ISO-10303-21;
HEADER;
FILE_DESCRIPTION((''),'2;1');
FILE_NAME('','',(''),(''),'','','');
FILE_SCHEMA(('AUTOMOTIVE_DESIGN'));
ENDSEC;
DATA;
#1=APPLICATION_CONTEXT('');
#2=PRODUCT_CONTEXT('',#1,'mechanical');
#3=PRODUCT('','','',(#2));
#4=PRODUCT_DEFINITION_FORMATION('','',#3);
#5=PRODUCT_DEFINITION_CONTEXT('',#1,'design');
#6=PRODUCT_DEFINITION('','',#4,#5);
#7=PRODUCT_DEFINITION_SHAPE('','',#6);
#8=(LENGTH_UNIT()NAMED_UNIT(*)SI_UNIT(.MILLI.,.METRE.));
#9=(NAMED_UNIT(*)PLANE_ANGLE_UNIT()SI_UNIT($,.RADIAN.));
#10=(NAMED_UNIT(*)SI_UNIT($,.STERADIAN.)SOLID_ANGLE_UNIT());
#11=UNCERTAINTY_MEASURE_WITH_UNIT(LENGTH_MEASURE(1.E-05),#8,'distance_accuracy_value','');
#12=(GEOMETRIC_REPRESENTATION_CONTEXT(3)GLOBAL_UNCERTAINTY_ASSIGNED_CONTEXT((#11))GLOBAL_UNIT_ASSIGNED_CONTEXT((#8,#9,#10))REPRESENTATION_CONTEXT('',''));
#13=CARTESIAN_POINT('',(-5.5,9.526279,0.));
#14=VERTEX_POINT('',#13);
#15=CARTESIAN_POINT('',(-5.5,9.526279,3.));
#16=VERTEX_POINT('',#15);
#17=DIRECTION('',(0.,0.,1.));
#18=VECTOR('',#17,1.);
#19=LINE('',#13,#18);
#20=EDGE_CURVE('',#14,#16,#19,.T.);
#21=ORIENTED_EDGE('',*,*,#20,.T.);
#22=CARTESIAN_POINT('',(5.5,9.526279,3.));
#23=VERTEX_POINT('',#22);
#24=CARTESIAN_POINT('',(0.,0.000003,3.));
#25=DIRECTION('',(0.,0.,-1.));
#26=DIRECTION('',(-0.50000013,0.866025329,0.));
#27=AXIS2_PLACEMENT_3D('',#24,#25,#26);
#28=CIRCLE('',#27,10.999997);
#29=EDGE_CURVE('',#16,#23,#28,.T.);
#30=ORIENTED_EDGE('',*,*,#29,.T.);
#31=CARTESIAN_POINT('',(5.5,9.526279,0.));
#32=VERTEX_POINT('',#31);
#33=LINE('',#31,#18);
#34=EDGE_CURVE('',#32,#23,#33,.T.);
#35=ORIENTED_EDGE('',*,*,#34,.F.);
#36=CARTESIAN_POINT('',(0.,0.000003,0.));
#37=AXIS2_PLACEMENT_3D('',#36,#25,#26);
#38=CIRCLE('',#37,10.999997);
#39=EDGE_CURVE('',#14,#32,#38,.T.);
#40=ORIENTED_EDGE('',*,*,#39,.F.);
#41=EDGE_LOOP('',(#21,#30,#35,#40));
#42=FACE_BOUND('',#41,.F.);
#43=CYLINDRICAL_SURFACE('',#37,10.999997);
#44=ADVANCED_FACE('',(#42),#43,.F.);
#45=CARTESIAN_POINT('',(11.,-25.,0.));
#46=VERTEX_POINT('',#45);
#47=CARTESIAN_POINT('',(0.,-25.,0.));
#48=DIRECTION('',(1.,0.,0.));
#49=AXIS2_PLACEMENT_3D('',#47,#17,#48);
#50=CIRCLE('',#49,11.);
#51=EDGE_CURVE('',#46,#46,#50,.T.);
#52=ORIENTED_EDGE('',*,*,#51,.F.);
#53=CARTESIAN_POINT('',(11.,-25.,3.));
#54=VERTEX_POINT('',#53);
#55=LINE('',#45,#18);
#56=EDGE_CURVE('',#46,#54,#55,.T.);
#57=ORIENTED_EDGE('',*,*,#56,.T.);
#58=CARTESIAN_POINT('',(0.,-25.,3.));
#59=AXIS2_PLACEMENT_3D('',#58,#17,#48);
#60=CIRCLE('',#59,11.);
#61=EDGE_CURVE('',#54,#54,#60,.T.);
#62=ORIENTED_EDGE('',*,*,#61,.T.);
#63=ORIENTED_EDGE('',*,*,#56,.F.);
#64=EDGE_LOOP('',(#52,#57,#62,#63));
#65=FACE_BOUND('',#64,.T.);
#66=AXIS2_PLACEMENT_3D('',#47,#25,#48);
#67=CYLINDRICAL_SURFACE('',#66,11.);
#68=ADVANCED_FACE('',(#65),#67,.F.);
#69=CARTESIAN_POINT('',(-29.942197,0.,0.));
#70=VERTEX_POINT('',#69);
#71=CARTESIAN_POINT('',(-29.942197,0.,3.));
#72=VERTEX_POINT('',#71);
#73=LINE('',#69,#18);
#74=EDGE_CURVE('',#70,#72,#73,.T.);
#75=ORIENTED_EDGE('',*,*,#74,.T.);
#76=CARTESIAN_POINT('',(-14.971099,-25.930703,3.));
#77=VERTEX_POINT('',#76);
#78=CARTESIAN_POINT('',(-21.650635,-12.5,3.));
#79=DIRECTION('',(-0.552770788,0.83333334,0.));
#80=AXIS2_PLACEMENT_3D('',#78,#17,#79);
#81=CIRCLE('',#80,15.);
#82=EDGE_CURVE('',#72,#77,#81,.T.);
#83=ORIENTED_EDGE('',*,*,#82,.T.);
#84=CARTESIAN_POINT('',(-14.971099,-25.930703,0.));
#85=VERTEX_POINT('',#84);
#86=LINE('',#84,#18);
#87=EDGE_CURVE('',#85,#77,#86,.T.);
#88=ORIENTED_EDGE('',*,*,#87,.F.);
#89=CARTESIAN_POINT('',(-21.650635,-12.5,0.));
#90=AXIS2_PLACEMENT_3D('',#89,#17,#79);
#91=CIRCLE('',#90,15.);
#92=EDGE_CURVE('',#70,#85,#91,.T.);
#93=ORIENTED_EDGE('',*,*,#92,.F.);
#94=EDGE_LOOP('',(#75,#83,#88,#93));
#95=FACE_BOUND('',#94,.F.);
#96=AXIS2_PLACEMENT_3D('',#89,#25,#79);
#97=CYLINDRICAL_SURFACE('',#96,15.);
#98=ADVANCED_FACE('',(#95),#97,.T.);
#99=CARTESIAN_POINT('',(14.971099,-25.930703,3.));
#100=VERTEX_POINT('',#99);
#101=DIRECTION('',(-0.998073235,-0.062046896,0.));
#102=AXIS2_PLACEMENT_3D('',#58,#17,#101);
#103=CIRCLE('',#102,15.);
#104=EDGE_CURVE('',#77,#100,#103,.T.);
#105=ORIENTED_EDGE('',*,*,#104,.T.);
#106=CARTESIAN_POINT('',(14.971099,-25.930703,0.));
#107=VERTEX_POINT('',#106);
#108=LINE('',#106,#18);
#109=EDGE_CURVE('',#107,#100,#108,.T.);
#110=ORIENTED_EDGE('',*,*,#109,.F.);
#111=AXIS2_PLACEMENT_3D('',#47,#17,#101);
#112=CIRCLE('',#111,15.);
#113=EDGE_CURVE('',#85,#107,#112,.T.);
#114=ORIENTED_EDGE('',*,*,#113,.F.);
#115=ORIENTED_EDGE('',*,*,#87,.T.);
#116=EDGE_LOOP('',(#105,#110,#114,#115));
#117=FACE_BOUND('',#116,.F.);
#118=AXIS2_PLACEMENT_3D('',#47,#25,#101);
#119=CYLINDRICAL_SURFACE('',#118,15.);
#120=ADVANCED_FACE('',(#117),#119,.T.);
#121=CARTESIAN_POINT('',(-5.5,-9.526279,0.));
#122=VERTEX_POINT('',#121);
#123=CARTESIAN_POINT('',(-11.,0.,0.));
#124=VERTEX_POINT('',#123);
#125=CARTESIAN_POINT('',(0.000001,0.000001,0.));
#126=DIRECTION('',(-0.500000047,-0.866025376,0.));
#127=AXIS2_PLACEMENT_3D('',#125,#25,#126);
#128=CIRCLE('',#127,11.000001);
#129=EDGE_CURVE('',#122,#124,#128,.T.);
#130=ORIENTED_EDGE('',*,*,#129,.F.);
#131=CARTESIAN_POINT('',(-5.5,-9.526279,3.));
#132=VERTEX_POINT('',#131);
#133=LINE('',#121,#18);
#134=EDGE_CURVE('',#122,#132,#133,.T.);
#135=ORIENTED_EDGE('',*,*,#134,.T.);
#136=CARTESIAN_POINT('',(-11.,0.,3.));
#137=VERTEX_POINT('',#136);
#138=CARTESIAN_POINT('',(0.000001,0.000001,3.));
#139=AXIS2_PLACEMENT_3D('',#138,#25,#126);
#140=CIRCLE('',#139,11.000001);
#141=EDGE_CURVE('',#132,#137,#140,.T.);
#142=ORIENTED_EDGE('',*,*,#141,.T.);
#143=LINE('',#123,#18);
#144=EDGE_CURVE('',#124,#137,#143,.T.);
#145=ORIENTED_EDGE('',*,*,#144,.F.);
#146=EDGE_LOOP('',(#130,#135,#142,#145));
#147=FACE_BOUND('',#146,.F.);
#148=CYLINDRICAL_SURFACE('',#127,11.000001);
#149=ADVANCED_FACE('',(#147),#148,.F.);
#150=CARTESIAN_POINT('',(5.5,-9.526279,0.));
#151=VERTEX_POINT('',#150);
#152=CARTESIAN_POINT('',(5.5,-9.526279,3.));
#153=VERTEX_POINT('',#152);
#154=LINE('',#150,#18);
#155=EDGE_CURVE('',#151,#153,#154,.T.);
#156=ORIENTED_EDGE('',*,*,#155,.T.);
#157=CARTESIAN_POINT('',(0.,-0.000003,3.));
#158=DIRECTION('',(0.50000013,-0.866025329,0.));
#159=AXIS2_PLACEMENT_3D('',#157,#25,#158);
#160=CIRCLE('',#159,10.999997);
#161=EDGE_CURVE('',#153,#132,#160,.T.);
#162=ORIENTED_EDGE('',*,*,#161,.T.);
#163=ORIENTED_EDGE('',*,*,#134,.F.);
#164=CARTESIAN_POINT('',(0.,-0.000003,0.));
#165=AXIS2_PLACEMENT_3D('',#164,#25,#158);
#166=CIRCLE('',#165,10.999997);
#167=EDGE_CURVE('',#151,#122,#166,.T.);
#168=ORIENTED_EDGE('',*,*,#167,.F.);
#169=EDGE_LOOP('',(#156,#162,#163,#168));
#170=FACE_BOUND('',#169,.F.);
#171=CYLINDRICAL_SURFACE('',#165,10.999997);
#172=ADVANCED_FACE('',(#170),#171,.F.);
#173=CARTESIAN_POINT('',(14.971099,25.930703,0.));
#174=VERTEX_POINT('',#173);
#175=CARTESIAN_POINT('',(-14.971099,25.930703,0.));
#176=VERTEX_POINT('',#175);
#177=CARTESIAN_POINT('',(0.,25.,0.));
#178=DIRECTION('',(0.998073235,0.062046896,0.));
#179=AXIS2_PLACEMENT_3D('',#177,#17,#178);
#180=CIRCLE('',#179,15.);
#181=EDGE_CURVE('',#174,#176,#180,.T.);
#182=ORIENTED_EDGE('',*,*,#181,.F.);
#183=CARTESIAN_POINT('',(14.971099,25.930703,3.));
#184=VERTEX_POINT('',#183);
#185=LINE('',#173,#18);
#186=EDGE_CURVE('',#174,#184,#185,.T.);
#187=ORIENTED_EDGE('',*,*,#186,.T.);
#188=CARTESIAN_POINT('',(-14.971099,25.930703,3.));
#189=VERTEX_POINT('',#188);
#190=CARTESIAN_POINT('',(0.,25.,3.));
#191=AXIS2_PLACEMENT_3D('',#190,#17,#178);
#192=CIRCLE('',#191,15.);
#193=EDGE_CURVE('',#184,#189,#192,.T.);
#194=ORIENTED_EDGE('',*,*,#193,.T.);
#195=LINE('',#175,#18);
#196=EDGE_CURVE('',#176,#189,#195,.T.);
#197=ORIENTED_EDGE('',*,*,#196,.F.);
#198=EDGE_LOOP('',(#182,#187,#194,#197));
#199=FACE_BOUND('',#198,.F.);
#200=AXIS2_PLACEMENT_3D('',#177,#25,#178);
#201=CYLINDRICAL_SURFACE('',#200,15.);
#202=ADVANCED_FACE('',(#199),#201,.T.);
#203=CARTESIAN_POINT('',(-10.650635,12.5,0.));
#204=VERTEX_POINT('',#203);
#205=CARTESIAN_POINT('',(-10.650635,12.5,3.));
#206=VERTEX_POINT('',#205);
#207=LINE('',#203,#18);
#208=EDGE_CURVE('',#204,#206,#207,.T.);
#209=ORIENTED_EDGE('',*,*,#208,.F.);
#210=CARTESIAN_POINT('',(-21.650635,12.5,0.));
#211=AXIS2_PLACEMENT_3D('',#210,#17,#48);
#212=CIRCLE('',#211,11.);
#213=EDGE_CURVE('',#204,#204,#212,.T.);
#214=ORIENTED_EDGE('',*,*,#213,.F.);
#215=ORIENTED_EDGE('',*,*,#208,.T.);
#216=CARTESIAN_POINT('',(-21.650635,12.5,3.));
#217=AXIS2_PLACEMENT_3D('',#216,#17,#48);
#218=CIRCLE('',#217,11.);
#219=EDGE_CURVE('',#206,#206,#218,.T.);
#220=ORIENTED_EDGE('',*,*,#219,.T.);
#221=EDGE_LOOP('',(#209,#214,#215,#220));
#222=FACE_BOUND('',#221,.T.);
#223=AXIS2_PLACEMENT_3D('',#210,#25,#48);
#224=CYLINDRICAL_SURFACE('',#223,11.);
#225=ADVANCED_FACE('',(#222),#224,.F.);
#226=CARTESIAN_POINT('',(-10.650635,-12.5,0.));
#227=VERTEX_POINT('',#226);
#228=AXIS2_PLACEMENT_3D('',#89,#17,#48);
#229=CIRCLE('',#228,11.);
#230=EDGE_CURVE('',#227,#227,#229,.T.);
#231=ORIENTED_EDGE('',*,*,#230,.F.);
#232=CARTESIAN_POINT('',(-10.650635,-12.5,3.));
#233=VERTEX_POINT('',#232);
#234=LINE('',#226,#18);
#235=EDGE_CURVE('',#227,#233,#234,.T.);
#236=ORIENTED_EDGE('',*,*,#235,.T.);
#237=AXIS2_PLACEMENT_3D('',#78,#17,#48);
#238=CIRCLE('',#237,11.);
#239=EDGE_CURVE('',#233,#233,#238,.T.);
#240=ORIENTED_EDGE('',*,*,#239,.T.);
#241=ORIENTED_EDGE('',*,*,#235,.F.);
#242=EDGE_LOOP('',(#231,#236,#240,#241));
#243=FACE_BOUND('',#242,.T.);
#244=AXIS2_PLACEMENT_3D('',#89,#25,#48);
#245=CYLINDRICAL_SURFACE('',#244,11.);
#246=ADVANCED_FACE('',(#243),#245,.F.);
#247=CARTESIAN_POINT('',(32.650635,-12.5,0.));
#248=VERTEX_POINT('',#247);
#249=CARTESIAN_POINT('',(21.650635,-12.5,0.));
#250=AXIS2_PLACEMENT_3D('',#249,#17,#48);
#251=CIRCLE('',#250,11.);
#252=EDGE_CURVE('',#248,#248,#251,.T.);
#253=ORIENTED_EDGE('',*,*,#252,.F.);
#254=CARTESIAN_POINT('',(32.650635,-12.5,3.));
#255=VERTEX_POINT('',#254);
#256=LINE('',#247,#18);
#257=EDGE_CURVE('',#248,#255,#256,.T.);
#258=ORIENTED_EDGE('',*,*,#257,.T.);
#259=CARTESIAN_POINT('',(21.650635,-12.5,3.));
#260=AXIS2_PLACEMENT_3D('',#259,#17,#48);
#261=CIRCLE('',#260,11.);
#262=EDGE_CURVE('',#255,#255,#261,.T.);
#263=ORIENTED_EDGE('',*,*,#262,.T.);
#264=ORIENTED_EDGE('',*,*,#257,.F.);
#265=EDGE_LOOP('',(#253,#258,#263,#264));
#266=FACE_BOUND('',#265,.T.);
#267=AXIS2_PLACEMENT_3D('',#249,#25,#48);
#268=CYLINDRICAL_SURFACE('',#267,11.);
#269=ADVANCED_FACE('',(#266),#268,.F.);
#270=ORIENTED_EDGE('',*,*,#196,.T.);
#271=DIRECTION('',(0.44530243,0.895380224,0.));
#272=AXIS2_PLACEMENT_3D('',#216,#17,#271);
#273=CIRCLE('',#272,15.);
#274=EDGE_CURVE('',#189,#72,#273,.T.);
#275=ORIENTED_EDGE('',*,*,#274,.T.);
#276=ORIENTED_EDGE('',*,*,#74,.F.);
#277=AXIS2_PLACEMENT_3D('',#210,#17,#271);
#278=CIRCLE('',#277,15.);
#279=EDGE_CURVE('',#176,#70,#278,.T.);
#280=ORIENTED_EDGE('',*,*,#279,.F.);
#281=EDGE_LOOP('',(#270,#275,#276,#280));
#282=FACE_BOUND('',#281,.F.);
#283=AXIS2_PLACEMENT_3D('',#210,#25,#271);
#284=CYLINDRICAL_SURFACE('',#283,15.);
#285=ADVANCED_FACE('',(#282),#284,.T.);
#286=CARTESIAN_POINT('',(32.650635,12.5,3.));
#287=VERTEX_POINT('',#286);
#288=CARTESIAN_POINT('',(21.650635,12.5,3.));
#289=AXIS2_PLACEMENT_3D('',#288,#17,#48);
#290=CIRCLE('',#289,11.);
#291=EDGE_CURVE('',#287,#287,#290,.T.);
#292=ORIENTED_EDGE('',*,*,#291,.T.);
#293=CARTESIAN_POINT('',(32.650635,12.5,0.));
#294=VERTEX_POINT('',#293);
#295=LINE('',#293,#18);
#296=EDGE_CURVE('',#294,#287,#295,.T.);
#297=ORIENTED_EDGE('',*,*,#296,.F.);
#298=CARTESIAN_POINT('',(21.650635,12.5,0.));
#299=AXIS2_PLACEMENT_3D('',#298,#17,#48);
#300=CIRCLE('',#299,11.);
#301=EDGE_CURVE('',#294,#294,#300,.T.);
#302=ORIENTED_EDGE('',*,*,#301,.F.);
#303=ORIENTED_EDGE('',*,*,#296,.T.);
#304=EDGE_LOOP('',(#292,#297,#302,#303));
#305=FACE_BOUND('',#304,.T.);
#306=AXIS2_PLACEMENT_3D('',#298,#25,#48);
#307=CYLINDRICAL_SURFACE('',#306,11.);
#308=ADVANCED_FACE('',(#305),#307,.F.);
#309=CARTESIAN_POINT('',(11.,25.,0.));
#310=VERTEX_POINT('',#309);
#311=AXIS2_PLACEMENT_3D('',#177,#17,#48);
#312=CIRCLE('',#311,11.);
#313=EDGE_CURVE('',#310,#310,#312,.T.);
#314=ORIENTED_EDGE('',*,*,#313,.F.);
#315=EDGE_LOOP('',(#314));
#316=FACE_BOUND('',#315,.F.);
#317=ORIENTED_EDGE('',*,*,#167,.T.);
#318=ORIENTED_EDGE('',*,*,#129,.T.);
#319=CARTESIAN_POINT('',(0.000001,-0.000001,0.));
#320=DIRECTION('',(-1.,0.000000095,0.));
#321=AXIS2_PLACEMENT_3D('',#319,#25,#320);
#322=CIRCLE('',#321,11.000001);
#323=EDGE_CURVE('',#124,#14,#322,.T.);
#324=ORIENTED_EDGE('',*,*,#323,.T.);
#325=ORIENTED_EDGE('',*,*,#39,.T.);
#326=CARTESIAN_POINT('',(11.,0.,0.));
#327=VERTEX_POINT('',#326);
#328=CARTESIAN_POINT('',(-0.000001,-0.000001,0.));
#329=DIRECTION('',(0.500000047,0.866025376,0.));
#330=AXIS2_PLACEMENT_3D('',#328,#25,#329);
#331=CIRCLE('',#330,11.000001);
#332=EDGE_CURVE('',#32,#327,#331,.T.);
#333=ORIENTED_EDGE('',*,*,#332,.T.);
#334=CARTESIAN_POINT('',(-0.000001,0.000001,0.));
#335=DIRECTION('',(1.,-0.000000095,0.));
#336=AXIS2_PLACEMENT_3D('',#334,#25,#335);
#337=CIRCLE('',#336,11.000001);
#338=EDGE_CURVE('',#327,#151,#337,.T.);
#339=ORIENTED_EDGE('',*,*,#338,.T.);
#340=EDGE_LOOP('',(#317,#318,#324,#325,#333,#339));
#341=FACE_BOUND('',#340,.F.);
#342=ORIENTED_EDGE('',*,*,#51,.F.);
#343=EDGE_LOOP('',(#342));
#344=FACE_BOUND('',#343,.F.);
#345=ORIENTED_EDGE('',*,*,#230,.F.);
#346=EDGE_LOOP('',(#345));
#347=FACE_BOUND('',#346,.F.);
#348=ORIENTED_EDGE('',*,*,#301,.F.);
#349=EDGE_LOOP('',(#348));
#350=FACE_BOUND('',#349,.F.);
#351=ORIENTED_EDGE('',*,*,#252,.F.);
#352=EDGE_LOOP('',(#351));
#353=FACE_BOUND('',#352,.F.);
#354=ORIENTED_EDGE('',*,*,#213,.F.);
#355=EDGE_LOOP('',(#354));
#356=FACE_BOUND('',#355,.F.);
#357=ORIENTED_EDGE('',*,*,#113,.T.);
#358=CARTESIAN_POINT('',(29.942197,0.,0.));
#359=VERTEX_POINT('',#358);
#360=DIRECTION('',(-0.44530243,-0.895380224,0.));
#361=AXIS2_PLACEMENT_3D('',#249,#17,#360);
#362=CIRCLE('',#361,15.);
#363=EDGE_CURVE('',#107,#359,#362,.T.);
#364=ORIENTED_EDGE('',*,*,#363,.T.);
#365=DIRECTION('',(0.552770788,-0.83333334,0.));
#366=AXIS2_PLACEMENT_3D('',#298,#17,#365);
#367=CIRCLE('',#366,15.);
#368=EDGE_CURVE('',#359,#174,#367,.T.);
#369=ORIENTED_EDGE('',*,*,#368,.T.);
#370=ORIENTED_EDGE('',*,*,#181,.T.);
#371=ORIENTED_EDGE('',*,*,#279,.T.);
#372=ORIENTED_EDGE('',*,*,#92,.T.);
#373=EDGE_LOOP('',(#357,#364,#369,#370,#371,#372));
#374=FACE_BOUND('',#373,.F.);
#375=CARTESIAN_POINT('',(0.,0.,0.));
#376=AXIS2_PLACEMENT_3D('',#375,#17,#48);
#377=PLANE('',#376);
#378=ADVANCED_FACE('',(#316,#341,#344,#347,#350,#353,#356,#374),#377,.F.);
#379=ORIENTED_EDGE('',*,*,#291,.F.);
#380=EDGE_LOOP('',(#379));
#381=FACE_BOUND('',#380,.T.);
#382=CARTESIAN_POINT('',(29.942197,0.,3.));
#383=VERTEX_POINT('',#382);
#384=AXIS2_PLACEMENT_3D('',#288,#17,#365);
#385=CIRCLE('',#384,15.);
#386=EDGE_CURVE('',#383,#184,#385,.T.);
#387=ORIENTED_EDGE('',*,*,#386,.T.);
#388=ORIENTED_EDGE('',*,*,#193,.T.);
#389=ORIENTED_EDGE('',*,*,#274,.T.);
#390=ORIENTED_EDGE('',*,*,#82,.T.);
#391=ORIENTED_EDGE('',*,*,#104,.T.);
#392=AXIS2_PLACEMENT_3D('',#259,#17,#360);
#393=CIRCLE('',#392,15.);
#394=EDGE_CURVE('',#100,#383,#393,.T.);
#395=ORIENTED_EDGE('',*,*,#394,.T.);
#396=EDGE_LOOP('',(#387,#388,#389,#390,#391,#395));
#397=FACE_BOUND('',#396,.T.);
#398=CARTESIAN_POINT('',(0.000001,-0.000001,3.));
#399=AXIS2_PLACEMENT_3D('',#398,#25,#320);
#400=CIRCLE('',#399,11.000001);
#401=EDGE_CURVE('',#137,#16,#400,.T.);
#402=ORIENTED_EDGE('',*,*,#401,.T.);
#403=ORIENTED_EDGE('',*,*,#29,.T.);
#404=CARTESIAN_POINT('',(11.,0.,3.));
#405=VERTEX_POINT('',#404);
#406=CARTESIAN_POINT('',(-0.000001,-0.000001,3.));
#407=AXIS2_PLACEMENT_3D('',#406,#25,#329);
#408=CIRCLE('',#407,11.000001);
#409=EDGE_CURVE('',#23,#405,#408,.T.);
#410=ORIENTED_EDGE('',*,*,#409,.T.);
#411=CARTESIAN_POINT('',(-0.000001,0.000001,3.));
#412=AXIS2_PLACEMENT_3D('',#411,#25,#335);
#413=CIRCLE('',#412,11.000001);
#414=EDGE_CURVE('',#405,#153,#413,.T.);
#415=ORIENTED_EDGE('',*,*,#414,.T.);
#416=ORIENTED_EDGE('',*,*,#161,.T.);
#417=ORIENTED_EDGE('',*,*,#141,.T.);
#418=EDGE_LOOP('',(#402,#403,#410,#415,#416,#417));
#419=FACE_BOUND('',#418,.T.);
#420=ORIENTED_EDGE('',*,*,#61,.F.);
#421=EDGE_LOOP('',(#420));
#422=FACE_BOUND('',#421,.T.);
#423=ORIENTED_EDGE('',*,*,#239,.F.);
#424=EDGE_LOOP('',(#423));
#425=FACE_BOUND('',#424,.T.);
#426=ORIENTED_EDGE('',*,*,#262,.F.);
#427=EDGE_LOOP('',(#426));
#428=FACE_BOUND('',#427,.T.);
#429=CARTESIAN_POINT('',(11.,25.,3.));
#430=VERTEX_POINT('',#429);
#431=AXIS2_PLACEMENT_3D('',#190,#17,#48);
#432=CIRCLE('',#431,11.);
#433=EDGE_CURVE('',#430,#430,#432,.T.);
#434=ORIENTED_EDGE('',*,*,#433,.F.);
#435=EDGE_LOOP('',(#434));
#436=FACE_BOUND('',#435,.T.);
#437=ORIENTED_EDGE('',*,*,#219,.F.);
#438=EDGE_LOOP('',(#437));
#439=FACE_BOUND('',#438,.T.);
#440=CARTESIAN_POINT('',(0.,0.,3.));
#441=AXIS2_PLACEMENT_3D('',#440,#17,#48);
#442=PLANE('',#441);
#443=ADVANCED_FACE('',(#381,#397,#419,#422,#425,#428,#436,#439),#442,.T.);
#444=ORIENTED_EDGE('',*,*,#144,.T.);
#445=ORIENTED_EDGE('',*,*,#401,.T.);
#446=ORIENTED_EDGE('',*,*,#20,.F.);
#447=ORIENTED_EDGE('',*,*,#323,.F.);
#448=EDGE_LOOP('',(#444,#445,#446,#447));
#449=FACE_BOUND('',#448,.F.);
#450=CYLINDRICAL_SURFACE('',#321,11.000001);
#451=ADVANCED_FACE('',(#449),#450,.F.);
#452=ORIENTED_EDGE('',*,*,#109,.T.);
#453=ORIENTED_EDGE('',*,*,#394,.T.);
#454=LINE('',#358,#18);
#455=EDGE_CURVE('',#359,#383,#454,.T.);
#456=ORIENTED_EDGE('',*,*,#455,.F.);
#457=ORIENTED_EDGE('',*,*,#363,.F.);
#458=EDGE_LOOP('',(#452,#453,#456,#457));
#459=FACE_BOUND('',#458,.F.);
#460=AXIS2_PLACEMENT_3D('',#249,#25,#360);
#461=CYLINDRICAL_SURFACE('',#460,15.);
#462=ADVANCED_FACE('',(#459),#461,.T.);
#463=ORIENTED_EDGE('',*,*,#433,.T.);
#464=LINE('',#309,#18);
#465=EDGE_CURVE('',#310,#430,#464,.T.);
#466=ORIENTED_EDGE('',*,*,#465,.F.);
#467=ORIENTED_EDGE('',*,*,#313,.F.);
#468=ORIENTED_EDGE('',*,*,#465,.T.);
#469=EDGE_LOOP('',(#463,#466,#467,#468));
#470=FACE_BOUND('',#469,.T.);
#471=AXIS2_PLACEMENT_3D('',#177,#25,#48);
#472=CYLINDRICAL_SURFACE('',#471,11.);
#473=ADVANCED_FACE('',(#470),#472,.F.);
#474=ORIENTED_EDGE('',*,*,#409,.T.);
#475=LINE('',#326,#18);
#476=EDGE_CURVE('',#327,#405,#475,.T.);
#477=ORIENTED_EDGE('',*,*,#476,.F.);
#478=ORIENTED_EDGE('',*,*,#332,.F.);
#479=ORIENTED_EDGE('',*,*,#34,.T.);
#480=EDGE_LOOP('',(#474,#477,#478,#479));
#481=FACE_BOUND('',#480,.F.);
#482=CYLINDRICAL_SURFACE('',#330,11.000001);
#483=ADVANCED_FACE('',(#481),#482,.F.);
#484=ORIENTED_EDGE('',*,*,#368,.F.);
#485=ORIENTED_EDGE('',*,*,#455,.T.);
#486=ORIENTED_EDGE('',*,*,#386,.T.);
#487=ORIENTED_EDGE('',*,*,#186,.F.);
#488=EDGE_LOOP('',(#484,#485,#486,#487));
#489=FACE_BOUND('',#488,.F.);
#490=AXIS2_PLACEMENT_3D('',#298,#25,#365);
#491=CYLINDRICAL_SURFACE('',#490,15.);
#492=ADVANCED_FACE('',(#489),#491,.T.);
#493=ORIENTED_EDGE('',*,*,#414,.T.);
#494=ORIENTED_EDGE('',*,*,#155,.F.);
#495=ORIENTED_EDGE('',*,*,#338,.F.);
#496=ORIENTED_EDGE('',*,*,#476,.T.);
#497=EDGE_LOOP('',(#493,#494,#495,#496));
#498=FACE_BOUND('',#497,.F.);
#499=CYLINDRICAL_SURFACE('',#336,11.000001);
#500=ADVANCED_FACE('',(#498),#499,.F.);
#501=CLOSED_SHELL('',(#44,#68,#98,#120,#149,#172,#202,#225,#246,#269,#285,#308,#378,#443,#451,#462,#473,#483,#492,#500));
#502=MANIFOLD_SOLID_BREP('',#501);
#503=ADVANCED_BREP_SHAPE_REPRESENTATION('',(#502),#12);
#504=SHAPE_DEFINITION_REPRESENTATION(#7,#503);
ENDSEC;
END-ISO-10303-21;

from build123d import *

# Parameters (mm, degrees)
F0_R     = 11
F1_DEPTH = 3


with BuildPart() as f1:
    # F0 (on Top) → F1 (new body)
    with BuildSketch(Plane.XY):
        with BuildLine():
            ThreePointArc((29.942197, 0), (34.641016, 20), (14.971099, 25.930703))
            ThreePointArc((14.971099, 25.930703), (0, 40), (-14.971099, 25.930703))
            ThreePointArc((-14.971099, 25.930703), (-34.641016, 20), (-29.942197, 0))
            ThreePointArc((-29.942197, 0), (-34.641016, -20), (-14.971099, -25.930703))
            ThreePointArc((-14.971099, -25.930703), (0, -40), (14.971099, -25.930703))
            ThreePointArc((14.971099, -25.930703), (34.641016, -20), (29.942197, 0))
        make_face()
        with Locations((-21.650635, -12.5)):
            Circle(F0_R, mode=Mode.SUBTRACT)
        with Locations((0, -25)):
            Circle(F0_R, mode=Mode.SUBTRACT)
        with Locations((21.650635, -12.5)):
            Circle(F0_R, mode=Mode.SUBTRACT)
        with Locations((-21.650635, 12.5)):
            Circle(F0_R, mode=Mode.SUBTRACT)
        with BuildLine():
            ThreePointArc((-5.5, 9.526279), (0, 11), (5.5, 9.526279))
            ThreePointArc((5.5, 9.526279), (9.526279, 5.5), (11, 0))
            ThreePointArc((11, 0), (9.526279, -5.5), (5.5, -9.526279))
            ThreePointArc((5.5, -9.526279), (0, -11), (-5.5, -9.526279))
            ThreePointArc((-5.5, -9.526279), (-9.526279, -5.5), (-11, 0))
            ThreePointArc((-11, 0), (-9.526279, 5.5), (-5.5, 9.526279))
        make_face(mode=Mode.SUBTRACT)
        with Locations((21.650635, 12.5)):
            Circle(F0_R, mode=Mode.SUBTRACT)
        with Locations((0, 25)):
            Circle(F0_R, mode=Mode.SUBTRACT)
    extrude(amount=F1_DEPTH)


solid = f1.part
